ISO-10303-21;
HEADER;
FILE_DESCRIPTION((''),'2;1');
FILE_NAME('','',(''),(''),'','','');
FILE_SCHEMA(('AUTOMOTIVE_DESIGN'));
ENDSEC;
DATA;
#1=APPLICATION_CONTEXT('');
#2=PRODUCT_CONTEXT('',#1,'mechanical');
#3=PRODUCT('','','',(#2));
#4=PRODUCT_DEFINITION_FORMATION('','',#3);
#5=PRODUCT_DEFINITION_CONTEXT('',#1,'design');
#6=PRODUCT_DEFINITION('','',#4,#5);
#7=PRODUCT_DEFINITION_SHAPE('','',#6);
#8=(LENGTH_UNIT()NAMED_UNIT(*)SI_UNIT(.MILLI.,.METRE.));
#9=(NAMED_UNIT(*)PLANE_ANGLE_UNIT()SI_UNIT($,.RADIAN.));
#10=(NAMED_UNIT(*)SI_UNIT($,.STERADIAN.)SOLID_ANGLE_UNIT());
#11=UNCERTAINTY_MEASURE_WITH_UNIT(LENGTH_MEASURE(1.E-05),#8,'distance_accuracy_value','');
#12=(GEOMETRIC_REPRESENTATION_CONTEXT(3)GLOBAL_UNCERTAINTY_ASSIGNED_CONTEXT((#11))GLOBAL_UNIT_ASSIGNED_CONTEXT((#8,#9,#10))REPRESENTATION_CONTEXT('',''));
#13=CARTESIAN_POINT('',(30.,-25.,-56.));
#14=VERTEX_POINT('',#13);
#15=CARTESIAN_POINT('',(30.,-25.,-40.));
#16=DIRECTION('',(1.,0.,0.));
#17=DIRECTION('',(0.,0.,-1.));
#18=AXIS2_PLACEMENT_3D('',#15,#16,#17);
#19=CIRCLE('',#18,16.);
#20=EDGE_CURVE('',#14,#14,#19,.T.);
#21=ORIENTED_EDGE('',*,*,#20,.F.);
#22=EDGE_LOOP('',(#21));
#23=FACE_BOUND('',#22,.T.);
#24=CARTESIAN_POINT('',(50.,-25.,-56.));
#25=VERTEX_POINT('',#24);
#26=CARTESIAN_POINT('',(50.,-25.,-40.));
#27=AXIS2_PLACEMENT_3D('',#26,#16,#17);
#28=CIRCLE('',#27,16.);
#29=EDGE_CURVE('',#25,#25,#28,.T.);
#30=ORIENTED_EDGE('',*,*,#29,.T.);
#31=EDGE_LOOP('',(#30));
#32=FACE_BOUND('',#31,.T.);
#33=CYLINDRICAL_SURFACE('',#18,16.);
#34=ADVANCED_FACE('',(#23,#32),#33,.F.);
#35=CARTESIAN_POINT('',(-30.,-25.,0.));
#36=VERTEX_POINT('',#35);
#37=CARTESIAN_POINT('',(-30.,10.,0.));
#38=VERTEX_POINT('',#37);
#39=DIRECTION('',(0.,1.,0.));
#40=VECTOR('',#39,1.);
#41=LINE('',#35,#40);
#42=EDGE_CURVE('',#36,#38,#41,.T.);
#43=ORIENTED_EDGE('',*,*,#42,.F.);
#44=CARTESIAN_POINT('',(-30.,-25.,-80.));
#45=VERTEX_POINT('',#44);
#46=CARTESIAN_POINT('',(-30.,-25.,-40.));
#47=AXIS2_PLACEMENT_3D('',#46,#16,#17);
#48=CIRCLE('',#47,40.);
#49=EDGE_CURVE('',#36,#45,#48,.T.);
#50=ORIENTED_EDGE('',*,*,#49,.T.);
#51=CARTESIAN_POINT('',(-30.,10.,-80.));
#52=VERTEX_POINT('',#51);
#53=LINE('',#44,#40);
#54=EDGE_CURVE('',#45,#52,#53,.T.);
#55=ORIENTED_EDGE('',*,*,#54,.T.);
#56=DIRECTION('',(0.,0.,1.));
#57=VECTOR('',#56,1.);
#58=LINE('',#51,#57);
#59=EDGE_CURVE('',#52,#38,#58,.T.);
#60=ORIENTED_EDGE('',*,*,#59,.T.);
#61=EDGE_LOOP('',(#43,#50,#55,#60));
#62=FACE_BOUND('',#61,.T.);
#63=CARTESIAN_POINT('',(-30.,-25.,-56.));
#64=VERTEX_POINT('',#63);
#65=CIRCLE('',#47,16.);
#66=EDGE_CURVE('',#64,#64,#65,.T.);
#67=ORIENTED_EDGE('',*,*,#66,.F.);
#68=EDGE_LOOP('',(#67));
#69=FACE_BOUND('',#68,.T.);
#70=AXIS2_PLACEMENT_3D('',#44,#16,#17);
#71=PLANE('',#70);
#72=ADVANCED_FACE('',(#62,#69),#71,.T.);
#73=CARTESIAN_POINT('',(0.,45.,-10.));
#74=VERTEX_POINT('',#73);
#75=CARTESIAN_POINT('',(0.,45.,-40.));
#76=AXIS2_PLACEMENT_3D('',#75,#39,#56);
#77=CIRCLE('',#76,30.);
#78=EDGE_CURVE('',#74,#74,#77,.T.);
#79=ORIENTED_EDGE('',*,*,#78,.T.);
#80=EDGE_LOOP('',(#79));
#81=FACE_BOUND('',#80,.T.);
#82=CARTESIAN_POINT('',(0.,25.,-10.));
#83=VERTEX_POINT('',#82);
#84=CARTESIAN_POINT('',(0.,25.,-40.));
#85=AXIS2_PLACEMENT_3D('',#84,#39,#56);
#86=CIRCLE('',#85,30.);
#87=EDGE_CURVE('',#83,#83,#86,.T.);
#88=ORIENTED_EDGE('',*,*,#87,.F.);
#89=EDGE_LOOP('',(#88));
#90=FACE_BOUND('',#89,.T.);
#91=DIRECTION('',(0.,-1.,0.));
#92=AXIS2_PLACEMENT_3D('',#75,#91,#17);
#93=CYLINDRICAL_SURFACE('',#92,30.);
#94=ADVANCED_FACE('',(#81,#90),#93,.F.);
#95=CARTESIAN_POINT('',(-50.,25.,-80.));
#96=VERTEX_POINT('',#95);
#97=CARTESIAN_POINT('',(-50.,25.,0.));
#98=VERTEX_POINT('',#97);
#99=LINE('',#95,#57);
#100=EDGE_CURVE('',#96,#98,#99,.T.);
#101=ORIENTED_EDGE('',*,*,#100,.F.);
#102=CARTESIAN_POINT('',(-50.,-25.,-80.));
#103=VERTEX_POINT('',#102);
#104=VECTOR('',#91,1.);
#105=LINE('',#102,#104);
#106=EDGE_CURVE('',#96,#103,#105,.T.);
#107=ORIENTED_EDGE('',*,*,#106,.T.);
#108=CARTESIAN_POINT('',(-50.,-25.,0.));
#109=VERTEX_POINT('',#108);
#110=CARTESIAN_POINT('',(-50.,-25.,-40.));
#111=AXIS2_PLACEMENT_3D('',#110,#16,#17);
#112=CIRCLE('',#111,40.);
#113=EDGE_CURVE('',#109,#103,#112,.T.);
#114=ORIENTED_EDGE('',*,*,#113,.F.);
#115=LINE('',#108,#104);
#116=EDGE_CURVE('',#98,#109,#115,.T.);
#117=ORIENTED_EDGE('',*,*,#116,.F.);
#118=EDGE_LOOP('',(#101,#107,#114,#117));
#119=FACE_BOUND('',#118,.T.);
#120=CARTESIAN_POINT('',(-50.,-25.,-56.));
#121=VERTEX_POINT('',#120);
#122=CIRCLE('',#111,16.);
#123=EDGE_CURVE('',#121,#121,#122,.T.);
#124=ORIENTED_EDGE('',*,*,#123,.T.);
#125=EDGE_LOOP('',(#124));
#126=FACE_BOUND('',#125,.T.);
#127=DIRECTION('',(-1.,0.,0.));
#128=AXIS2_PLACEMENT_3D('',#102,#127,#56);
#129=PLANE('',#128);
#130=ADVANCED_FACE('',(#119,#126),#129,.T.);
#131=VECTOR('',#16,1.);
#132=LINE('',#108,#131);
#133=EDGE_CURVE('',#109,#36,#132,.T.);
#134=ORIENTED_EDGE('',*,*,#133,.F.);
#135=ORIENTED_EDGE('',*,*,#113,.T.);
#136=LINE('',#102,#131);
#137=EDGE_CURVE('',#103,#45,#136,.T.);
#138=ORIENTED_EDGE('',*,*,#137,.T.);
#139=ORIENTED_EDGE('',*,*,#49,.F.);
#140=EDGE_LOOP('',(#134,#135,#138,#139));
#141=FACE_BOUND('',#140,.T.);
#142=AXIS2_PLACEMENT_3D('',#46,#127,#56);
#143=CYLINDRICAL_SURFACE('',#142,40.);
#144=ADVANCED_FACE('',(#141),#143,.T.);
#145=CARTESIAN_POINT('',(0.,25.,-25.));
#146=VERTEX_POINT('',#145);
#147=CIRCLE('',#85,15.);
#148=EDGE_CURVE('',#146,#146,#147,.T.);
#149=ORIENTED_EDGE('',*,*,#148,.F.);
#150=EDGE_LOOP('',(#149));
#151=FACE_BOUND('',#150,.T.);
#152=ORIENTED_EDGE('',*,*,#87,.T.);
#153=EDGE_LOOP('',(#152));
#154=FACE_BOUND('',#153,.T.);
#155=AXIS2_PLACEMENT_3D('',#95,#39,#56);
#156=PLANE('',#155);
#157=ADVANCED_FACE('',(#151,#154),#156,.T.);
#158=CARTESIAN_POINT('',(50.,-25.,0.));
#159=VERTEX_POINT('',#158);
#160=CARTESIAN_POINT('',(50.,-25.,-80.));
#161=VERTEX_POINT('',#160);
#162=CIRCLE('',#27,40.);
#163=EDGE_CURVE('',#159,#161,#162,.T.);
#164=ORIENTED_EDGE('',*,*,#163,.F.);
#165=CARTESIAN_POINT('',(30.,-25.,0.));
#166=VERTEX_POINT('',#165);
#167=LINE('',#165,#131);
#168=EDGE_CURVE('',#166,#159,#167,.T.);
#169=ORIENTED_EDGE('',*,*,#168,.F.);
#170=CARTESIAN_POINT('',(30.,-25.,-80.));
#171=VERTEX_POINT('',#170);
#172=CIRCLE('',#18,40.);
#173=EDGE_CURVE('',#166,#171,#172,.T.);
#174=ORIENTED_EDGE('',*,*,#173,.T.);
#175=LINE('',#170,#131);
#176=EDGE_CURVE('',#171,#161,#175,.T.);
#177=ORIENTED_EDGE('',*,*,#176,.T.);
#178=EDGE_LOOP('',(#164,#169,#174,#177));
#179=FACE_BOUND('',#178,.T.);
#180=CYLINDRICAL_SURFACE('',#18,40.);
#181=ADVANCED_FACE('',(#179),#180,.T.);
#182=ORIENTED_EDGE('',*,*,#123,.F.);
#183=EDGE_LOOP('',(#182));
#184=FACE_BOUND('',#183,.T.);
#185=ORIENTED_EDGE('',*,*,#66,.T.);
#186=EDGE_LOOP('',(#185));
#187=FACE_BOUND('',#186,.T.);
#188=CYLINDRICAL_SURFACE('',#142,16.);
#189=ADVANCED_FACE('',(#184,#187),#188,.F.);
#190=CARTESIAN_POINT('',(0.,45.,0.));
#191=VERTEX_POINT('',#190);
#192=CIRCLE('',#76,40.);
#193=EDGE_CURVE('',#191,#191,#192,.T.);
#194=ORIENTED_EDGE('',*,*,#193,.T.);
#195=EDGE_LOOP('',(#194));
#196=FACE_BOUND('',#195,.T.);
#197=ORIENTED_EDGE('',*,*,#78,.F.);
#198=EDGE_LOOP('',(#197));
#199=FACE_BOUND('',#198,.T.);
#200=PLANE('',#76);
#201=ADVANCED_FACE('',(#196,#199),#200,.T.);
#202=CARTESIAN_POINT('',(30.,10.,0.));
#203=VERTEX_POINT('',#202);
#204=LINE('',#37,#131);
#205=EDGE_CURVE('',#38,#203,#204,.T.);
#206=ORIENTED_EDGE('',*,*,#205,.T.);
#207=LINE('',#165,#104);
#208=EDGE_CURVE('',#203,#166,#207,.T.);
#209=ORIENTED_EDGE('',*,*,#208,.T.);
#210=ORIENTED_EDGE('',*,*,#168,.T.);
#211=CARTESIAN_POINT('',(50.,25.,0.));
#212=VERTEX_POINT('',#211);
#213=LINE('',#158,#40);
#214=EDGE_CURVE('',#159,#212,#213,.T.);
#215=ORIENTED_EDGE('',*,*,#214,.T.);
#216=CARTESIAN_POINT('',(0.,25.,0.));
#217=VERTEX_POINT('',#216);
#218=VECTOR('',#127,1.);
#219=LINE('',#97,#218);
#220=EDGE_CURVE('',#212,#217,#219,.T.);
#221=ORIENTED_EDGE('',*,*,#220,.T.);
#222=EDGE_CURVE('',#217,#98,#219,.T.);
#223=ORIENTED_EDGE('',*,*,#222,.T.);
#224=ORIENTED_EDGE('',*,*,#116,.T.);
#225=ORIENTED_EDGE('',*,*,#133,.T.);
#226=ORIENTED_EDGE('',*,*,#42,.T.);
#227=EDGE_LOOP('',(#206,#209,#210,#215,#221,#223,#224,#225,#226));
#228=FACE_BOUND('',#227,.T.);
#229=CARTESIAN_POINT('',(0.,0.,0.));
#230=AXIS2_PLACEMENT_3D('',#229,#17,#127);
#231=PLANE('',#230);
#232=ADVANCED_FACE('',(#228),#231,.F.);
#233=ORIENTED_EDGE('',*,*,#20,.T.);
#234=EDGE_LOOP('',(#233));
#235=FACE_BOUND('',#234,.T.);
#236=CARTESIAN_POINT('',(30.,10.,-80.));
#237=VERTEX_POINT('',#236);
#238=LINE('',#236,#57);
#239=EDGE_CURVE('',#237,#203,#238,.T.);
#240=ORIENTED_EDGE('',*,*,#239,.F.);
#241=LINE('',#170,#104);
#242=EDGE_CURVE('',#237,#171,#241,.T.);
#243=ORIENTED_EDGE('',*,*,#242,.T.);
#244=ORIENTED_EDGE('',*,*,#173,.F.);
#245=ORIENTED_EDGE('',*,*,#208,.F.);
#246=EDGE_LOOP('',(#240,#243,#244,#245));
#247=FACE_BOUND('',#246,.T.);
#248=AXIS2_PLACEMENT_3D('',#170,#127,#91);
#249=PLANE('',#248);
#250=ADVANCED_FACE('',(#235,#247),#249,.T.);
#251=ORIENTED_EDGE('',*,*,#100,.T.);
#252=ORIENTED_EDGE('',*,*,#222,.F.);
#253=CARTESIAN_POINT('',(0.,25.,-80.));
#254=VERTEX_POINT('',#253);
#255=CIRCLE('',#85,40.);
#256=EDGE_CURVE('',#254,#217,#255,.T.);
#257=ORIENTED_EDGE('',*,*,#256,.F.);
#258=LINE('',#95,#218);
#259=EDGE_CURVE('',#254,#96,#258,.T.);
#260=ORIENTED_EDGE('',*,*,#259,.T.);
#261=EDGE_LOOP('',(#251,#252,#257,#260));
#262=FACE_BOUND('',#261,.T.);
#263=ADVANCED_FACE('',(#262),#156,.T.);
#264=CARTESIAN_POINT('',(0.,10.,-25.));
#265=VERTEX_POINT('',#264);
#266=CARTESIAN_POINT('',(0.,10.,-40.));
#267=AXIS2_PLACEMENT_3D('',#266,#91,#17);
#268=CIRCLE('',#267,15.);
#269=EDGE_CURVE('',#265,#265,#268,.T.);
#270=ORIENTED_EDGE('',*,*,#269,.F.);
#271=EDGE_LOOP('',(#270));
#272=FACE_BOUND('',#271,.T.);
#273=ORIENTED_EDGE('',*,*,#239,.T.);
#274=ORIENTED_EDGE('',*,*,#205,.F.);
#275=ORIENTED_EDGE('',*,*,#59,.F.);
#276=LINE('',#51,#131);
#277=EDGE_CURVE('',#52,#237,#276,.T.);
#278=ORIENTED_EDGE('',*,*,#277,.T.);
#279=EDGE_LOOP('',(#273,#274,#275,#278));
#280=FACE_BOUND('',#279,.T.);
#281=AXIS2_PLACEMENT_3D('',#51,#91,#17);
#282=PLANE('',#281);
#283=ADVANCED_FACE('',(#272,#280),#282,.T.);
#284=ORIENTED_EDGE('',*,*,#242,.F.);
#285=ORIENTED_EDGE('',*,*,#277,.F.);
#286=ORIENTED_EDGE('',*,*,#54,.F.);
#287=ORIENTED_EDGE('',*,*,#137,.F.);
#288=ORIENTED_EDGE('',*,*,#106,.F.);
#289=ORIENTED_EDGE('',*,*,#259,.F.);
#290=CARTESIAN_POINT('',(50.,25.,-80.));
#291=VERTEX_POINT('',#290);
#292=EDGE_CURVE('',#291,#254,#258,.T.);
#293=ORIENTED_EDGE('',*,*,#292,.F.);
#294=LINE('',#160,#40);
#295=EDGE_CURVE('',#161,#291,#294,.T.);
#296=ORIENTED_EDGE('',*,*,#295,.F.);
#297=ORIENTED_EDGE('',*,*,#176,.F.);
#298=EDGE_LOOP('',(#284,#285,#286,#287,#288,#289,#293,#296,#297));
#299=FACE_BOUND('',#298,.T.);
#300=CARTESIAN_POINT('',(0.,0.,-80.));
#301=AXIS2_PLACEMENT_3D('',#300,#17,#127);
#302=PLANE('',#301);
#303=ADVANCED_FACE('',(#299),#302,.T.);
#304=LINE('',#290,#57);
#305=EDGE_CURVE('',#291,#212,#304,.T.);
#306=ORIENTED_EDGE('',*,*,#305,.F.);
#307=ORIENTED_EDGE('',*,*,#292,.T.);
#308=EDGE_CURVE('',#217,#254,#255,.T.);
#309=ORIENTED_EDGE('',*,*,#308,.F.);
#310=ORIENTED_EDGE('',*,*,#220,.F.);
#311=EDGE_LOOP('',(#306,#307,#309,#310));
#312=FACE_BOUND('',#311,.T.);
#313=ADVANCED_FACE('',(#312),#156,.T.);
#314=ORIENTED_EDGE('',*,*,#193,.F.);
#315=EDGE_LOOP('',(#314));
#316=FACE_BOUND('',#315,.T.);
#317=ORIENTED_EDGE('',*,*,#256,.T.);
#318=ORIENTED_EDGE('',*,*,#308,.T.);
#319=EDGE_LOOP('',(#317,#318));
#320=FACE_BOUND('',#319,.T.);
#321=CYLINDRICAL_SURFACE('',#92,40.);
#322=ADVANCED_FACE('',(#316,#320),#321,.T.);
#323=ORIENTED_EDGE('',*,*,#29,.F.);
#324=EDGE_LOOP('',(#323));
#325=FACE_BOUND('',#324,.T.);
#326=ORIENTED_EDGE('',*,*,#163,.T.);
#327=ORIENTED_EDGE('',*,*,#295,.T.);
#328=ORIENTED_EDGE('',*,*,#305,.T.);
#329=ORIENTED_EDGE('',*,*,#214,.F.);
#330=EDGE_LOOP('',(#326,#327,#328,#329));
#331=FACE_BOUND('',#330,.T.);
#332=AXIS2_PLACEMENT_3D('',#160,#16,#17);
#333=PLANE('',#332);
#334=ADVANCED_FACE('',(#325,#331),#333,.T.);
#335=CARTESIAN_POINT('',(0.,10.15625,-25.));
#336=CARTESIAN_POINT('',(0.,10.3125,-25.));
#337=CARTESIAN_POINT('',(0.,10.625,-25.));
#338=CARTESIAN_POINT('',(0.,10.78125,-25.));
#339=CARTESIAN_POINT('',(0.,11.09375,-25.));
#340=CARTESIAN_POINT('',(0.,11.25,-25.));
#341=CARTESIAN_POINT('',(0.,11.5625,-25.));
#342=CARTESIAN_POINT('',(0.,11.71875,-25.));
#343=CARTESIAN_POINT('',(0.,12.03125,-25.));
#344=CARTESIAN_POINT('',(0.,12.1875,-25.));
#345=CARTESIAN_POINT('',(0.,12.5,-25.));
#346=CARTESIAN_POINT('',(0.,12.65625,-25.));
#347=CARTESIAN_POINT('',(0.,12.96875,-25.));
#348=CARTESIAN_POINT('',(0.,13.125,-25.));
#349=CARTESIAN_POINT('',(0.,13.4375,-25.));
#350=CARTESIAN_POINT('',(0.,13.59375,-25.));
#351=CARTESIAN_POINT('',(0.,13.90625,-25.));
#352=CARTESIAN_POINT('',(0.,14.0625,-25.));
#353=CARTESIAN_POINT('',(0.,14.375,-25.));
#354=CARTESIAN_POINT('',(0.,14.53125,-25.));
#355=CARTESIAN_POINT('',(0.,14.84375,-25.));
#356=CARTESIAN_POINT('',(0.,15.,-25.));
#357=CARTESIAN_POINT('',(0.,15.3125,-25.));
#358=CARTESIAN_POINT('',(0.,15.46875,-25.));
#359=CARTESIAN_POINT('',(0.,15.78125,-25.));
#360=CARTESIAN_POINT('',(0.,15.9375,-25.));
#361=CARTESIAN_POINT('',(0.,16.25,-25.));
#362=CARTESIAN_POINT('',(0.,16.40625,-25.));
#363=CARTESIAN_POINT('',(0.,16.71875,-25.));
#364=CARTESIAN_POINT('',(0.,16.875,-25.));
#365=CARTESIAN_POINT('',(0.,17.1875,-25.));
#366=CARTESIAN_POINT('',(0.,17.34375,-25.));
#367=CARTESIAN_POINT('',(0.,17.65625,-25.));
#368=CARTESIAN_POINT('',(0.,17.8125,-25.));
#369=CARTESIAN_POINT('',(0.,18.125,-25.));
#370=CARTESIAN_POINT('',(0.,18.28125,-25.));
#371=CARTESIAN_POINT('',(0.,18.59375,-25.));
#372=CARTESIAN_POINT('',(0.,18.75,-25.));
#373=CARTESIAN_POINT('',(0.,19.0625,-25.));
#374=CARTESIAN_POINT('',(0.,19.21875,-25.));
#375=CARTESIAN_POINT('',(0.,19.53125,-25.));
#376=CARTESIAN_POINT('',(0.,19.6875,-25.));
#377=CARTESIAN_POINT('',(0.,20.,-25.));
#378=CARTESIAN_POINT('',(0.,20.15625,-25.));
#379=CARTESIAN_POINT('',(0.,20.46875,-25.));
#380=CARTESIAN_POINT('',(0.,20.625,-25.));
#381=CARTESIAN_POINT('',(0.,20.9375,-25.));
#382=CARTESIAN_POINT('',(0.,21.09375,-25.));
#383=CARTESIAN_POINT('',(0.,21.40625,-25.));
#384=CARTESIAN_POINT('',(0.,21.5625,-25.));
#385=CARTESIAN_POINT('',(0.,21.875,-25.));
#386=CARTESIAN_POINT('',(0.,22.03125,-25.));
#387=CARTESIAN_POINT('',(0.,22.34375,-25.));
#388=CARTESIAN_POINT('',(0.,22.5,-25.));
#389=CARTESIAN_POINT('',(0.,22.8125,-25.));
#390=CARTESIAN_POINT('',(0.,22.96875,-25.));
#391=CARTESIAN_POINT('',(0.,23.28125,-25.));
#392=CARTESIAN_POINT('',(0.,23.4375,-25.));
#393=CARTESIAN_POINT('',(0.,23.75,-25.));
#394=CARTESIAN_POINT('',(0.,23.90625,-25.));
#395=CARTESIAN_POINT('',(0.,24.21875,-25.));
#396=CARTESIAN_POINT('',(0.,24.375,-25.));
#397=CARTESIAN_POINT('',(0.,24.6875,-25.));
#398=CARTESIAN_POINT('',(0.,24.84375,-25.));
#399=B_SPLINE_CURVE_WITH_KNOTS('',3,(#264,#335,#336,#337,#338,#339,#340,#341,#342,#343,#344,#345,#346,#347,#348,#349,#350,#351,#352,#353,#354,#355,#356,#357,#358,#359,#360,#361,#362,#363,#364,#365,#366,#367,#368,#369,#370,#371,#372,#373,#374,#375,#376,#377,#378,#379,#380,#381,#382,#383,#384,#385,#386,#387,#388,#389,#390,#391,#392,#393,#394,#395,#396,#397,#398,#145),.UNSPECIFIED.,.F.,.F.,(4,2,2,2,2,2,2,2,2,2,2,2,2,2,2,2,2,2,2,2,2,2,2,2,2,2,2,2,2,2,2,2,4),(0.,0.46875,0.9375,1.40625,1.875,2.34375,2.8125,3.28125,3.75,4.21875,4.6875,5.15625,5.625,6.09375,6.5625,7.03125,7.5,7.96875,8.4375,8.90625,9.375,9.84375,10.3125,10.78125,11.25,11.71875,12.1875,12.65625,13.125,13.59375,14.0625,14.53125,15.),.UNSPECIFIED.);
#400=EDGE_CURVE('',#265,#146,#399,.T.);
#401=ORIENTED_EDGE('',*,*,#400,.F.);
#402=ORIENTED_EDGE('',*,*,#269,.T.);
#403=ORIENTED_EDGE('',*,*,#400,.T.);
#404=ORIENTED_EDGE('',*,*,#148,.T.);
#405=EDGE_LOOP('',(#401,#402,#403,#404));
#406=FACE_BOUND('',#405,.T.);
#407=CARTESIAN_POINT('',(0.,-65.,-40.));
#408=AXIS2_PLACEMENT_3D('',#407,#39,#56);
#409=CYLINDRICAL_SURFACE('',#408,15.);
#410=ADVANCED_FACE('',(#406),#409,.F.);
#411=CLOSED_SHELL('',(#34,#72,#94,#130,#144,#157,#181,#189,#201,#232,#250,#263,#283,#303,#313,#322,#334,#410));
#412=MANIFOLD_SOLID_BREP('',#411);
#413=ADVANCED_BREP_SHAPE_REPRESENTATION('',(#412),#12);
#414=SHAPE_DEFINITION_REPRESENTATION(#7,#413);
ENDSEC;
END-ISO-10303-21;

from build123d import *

# Parameters (mm, degrees)
BOSS_EXTRUDE1_DEPTH = 80
BOSS_EXTRUDE2_DEPTH = 20
SKETCH3_R           = 16
CUT_EXTRUDE1_DEPTH  = 20
SKETCH4_R           = 40
SKETCH4_R_2         = 30
BOSS_EXTRUDE3_DEPTH = 20
SKETCH5_R           = 15
CUT_EXTRUDE2_DEPTH  = 131.384048104


with BuildPart() as part:
    # Sketch1 → Boss-Extrude1 (new body)
    with BuildSketch(Plane.XY):
        Polygon((30, -25), (50, -25), (50, 25), (-50, 25), (-50, -25), (-30, -25), (-30, 10), (30, 10), align=None)
    extrude(amount=-BOSS_EXTRUDE1_DEPTH)

    # Sketch2 → Boss-Extrude2 (add)
    with BuildSketch(Plane(origin=(50, 0, 0), x_dir=(0, 0, -1), z_dir=(1, 0, 0))):
        with BuildLine():
            Line((0, -25), (80, -25))
            ThreePointArc((80, -25), (40, -65), (0, -25))
        make_face()
    boss_extrude2 = extrude(amount=-BOSS_EXTRUDE2_DEPTH)

    # Sketch3 → Cut-Extrude1 (cut)
    with BuildSketch(Plane(origin=(50, 0, 0), x_dir=(0, 0, -1), z_dir=(1, 0, 0))):
        with Locations((40, -25)):
            Circle(SKETCH3_R)
    cut_extrude1 = extrude(amount=-CUT_EXTRUDE1_DEPTH, mode=Mode.SUBTRACT)

    # Mirror1: Boss-Extrude2, Cut-Extrude1 across plane
    add(boss_extrude2.mirror(Plane(origin=(0, 0, 0), x_dir=(0, 0, 1), z_dir=(1, 0, 0))))
    add(cut_extrude1.mirror(Plane(origin=(0, 0, 0), x_dir=(0, 0, 1), z_dir=(1, 0, 0))), mode=Mode.SUBTRACT)

    # Sketch4 → Boss-Extrude3 (add)
    with BuildSketch(Plane(origin=(0, 25, 0), x_dir=(1, 0, 0), z_dir=(0, 1, 0))):
        with Locations(Location((0, 40, 0), (0, 0, 270))):
            Circle(SKETCH4_R)
        with Locations(Location((0, 40, 0), (0, 0, 270))):
            Circle(SKETCH4_R_2, mode=Mode.SUBTRACT)
    extrude(amount=BOSS_EXTRUDE3_DEPTH)

    # Sketch5 → Cut-Extrude2 (cut, through all)
    with BuildSketch(Plane(origin=(0, 25, 0), x_dir=(1, 0, 0), z_dir=(0, 1, 0))):
        with Locations(Location((0, 40, 0), (0, 0, 270))):
            Circle(SKETCH5_R)
    extrude(amount=-CUT_EXTRUDE2_DEPTH, mode=Mode.SUBTRACT)


solid = part.part
